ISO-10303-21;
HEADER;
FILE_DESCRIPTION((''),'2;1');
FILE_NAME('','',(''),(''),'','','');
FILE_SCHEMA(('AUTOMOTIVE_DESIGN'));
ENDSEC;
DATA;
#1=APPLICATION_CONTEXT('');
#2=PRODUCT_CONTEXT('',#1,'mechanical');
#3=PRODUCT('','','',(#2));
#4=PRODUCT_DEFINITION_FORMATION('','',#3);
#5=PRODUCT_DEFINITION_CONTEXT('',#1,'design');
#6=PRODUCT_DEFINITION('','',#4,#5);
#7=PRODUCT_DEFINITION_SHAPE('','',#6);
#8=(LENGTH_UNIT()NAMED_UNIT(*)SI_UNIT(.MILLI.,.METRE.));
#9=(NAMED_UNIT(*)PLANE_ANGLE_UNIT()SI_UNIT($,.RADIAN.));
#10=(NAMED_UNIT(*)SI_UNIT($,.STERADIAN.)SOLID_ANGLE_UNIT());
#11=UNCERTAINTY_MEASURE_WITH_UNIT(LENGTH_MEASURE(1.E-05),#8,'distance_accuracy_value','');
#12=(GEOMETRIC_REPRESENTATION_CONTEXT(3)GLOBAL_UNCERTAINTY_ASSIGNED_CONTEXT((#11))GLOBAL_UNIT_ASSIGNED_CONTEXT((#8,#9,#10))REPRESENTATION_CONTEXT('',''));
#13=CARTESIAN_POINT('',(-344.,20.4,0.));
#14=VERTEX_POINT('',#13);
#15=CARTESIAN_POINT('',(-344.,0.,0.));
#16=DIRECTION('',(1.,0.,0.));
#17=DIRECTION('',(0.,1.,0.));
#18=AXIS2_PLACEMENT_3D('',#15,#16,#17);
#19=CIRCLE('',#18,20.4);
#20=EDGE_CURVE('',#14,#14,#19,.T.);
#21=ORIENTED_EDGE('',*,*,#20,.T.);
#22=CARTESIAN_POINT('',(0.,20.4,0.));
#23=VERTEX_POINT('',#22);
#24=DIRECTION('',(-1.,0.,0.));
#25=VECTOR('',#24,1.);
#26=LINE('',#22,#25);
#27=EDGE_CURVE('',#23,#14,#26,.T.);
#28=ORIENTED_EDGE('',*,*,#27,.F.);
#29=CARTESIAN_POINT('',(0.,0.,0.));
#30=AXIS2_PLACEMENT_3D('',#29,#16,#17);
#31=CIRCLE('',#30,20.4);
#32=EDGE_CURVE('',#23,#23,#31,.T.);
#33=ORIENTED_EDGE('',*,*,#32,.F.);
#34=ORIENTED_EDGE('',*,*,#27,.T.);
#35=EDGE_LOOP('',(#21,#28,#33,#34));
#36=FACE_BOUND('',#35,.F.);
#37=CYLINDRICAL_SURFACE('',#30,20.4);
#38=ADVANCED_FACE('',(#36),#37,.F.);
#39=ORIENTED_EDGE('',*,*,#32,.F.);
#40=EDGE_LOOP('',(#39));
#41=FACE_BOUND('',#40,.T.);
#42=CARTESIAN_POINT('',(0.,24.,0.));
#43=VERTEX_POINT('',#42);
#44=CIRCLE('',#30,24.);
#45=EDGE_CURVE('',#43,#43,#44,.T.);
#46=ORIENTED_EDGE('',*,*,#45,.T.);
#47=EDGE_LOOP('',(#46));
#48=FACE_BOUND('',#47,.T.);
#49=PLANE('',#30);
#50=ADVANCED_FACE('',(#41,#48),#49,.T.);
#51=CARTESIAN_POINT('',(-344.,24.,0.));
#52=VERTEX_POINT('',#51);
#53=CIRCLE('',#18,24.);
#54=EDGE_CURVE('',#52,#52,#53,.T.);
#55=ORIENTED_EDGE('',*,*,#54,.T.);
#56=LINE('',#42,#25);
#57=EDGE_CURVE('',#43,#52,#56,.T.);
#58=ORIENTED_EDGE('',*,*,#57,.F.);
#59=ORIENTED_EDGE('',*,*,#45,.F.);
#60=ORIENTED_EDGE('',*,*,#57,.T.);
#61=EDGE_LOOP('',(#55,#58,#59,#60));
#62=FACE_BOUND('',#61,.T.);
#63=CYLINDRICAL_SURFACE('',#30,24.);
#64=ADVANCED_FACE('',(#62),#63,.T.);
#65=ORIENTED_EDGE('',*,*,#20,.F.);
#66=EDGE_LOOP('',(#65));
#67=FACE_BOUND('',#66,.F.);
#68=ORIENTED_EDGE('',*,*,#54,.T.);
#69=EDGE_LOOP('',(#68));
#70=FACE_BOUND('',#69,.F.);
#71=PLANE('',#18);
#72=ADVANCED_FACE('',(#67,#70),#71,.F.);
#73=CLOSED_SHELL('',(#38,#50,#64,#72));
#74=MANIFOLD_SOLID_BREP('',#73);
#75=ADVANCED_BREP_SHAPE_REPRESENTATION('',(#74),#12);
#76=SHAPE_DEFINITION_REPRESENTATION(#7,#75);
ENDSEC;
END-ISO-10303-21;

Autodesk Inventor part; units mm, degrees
ref_plane "YZ Plane" through (0, 0, 0) normal (1, 0, 0) x (0, 1, 0)
ref_plane "XZ Plane" through (0, 0, 0) normal (0, 1, 0) x (-1, 0, 0)
ref_plane "XY Plane" through (0, 0, 0) normal (0, 0, 1) x (1, 0, 0)
sketch "Sketch1" plane through (0, 0, 0) normal (1, 0, 0) x (0, 1, 0)
  circle A0 centre (0, 0) radius 24
  circle A1 centre (0, 0) radius 20.4
  dimension "d0" = 48
  dimension "d1" = 40.8
extrude "Extrusion1" add sketch "Sketch1" against normal blind 344
equation "\"d0\" = OD"
equation "\"d1\" = OD - 2 * t"
equation "\"d2\" = L"
equation "\"OD\" = 48"
equation "\"t\" = 3.6"
equation "\"L\" = PL"
equation "\"ID\" = 40.8"
equation "\"PL\" = 344"
equation "\"Size_Designation\" = 1.2345"
properties material "PVC, Unplasticized"
